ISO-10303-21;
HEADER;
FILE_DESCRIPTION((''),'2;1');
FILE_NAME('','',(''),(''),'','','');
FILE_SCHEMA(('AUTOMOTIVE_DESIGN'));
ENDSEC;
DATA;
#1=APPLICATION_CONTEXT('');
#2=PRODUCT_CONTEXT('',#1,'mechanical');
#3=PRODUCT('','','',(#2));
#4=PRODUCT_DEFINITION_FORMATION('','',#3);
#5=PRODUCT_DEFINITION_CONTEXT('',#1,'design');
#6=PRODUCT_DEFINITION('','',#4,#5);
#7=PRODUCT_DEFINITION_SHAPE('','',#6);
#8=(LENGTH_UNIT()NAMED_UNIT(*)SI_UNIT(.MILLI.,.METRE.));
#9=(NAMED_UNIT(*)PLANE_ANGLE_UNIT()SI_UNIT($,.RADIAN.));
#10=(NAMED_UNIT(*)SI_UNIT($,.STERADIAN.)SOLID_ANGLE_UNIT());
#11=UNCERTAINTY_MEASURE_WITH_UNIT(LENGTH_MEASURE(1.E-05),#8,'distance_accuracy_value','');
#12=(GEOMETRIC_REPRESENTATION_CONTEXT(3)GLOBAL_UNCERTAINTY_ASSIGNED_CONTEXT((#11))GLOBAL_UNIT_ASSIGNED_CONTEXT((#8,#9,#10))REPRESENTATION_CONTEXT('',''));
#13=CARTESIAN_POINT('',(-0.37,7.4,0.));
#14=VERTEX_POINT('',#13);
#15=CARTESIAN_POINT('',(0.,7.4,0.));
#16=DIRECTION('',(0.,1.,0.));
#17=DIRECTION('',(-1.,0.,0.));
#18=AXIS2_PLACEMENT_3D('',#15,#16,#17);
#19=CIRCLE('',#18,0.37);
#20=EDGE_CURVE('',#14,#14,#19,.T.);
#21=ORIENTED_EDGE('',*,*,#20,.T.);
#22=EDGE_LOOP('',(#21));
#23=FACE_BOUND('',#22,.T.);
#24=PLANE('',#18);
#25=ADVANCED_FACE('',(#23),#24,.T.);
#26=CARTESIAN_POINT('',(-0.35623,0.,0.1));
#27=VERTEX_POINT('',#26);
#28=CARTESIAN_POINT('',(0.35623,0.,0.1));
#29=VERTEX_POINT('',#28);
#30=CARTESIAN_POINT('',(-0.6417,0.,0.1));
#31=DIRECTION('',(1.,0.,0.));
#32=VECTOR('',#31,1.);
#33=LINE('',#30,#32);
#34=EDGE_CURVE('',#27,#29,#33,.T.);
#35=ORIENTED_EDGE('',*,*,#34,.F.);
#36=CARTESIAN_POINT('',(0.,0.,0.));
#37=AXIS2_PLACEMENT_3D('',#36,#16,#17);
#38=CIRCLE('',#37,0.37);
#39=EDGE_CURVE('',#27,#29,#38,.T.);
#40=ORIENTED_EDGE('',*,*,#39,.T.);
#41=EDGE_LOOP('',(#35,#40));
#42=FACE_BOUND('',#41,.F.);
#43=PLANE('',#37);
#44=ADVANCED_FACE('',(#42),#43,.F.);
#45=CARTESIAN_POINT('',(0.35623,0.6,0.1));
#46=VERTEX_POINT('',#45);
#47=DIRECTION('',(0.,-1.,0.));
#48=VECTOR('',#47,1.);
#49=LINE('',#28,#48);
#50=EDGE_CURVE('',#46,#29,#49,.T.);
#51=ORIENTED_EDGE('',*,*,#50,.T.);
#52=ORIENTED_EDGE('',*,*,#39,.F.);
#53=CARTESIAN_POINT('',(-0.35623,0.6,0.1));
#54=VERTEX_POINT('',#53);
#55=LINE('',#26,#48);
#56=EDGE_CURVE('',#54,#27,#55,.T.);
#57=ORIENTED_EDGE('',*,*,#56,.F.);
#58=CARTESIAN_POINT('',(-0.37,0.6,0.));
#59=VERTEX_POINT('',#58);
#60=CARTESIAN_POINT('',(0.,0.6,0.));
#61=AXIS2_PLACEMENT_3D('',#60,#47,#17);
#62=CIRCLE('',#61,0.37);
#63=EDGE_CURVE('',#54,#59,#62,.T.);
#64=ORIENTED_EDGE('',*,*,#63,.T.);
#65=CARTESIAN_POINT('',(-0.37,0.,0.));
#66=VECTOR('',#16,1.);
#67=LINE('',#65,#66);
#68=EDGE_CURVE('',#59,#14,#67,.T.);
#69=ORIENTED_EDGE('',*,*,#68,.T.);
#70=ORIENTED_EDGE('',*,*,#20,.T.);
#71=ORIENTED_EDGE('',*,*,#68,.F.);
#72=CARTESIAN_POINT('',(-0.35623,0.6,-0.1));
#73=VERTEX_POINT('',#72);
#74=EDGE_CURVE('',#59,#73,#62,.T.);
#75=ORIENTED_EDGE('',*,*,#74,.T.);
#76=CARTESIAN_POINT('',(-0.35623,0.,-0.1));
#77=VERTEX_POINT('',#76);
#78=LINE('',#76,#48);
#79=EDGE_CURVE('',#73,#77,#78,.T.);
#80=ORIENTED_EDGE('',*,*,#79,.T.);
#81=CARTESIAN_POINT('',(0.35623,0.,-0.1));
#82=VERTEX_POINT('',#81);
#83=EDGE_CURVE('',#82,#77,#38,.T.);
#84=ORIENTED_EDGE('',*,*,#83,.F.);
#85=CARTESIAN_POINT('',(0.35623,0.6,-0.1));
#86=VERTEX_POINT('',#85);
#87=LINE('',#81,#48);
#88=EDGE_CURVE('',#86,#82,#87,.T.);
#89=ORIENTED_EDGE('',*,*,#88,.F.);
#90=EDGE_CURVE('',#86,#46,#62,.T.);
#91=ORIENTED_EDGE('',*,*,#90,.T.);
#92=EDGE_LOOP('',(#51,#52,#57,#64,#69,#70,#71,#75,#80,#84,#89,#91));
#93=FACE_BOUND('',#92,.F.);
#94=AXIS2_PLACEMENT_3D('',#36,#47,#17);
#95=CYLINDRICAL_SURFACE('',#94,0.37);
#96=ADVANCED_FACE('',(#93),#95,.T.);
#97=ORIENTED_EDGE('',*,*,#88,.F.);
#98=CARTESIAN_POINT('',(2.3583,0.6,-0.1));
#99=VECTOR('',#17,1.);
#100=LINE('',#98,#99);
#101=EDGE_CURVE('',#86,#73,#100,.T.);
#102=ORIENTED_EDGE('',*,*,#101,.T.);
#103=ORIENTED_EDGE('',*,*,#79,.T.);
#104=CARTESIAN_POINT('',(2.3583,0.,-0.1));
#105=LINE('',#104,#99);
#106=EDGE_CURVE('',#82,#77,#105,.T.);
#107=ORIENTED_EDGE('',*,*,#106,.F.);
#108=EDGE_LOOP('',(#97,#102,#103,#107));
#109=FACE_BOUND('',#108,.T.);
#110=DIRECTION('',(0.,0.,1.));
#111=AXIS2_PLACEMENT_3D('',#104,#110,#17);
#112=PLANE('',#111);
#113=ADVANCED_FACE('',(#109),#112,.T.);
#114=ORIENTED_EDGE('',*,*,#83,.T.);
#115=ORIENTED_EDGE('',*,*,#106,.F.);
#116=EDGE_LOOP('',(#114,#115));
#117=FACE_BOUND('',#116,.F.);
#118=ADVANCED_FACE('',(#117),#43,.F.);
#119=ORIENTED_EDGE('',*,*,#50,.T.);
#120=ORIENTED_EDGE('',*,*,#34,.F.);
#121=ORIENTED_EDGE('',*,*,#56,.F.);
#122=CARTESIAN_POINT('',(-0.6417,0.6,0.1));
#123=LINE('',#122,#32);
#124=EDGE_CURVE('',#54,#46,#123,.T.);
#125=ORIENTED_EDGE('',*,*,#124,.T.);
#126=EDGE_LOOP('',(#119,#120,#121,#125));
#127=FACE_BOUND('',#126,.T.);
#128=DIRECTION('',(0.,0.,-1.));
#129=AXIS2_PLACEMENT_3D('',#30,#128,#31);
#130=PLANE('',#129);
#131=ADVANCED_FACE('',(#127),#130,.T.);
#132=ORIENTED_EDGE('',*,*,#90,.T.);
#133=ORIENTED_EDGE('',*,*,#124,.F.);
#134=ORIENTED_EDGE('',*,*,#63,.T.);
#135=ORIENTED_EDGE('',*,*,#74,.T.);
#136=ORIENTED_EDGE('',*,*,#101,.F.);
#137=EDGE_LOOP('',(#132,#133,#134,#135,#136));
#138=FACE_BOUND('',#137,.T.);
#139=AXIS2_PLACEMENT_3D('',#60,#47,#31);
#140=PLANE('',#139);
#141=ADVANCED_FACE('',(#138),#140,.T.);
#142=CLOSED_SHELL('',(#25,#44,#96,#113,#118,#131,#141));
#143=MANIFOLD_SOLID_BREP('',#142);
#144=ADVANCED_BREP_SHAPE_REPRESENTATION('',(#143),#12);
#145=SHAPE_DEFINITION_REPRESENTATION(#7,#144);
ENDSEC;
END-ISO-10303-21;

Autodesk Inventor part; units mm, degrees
ref_plane "YZ Plane" through (0, 0, 0) normal (1, 0, 0) x (0, 1, 0)
ref_plane "XZ Plane" through (0, 0, 0) normal (0, 1, 0) x (-1, 0, 0)
ref_plane "XY Plane" through (0, 0, 0) normal (0, 0, 1) x (1, 0, 0)
sketch "Boceto1" plane through (0, 0, 0) normal (0, 1, 0) x (-1, 0, 0)
  circle A0 centre (0, 0) radius 0.37
  dimension "d0" = 0.74
extrude "Extrusión1" add sketch "Boceto1" along normal blind 7.4
sketch "Boceto2" plane through (0, 0, 0) normal (0, -1, 0) x (1, 0, 0)
  line L0 (0, 0) -> (-0.6417, 0)
  line L1 (-0.6417, 0) -> (-0.6417, 0.1)
  line L2 (-0.6417, 0.1) -> (2.3583, 0.1)
  line L3 (2.3583, 0.1) -> (2.3583, -0.1)
  line L4 (2.3583, -0.1) -> (-0.6417, -0.1)
  line L5 (-0.6417, 0) -> (-0.6417, -0.1)
  dimension "d3" = 0.1
  dimension "d4" = 3
  dimension "d5" = 0.2
extrude "Extrusión2" cut sketch "Boceto2" against normal blind 0.6
